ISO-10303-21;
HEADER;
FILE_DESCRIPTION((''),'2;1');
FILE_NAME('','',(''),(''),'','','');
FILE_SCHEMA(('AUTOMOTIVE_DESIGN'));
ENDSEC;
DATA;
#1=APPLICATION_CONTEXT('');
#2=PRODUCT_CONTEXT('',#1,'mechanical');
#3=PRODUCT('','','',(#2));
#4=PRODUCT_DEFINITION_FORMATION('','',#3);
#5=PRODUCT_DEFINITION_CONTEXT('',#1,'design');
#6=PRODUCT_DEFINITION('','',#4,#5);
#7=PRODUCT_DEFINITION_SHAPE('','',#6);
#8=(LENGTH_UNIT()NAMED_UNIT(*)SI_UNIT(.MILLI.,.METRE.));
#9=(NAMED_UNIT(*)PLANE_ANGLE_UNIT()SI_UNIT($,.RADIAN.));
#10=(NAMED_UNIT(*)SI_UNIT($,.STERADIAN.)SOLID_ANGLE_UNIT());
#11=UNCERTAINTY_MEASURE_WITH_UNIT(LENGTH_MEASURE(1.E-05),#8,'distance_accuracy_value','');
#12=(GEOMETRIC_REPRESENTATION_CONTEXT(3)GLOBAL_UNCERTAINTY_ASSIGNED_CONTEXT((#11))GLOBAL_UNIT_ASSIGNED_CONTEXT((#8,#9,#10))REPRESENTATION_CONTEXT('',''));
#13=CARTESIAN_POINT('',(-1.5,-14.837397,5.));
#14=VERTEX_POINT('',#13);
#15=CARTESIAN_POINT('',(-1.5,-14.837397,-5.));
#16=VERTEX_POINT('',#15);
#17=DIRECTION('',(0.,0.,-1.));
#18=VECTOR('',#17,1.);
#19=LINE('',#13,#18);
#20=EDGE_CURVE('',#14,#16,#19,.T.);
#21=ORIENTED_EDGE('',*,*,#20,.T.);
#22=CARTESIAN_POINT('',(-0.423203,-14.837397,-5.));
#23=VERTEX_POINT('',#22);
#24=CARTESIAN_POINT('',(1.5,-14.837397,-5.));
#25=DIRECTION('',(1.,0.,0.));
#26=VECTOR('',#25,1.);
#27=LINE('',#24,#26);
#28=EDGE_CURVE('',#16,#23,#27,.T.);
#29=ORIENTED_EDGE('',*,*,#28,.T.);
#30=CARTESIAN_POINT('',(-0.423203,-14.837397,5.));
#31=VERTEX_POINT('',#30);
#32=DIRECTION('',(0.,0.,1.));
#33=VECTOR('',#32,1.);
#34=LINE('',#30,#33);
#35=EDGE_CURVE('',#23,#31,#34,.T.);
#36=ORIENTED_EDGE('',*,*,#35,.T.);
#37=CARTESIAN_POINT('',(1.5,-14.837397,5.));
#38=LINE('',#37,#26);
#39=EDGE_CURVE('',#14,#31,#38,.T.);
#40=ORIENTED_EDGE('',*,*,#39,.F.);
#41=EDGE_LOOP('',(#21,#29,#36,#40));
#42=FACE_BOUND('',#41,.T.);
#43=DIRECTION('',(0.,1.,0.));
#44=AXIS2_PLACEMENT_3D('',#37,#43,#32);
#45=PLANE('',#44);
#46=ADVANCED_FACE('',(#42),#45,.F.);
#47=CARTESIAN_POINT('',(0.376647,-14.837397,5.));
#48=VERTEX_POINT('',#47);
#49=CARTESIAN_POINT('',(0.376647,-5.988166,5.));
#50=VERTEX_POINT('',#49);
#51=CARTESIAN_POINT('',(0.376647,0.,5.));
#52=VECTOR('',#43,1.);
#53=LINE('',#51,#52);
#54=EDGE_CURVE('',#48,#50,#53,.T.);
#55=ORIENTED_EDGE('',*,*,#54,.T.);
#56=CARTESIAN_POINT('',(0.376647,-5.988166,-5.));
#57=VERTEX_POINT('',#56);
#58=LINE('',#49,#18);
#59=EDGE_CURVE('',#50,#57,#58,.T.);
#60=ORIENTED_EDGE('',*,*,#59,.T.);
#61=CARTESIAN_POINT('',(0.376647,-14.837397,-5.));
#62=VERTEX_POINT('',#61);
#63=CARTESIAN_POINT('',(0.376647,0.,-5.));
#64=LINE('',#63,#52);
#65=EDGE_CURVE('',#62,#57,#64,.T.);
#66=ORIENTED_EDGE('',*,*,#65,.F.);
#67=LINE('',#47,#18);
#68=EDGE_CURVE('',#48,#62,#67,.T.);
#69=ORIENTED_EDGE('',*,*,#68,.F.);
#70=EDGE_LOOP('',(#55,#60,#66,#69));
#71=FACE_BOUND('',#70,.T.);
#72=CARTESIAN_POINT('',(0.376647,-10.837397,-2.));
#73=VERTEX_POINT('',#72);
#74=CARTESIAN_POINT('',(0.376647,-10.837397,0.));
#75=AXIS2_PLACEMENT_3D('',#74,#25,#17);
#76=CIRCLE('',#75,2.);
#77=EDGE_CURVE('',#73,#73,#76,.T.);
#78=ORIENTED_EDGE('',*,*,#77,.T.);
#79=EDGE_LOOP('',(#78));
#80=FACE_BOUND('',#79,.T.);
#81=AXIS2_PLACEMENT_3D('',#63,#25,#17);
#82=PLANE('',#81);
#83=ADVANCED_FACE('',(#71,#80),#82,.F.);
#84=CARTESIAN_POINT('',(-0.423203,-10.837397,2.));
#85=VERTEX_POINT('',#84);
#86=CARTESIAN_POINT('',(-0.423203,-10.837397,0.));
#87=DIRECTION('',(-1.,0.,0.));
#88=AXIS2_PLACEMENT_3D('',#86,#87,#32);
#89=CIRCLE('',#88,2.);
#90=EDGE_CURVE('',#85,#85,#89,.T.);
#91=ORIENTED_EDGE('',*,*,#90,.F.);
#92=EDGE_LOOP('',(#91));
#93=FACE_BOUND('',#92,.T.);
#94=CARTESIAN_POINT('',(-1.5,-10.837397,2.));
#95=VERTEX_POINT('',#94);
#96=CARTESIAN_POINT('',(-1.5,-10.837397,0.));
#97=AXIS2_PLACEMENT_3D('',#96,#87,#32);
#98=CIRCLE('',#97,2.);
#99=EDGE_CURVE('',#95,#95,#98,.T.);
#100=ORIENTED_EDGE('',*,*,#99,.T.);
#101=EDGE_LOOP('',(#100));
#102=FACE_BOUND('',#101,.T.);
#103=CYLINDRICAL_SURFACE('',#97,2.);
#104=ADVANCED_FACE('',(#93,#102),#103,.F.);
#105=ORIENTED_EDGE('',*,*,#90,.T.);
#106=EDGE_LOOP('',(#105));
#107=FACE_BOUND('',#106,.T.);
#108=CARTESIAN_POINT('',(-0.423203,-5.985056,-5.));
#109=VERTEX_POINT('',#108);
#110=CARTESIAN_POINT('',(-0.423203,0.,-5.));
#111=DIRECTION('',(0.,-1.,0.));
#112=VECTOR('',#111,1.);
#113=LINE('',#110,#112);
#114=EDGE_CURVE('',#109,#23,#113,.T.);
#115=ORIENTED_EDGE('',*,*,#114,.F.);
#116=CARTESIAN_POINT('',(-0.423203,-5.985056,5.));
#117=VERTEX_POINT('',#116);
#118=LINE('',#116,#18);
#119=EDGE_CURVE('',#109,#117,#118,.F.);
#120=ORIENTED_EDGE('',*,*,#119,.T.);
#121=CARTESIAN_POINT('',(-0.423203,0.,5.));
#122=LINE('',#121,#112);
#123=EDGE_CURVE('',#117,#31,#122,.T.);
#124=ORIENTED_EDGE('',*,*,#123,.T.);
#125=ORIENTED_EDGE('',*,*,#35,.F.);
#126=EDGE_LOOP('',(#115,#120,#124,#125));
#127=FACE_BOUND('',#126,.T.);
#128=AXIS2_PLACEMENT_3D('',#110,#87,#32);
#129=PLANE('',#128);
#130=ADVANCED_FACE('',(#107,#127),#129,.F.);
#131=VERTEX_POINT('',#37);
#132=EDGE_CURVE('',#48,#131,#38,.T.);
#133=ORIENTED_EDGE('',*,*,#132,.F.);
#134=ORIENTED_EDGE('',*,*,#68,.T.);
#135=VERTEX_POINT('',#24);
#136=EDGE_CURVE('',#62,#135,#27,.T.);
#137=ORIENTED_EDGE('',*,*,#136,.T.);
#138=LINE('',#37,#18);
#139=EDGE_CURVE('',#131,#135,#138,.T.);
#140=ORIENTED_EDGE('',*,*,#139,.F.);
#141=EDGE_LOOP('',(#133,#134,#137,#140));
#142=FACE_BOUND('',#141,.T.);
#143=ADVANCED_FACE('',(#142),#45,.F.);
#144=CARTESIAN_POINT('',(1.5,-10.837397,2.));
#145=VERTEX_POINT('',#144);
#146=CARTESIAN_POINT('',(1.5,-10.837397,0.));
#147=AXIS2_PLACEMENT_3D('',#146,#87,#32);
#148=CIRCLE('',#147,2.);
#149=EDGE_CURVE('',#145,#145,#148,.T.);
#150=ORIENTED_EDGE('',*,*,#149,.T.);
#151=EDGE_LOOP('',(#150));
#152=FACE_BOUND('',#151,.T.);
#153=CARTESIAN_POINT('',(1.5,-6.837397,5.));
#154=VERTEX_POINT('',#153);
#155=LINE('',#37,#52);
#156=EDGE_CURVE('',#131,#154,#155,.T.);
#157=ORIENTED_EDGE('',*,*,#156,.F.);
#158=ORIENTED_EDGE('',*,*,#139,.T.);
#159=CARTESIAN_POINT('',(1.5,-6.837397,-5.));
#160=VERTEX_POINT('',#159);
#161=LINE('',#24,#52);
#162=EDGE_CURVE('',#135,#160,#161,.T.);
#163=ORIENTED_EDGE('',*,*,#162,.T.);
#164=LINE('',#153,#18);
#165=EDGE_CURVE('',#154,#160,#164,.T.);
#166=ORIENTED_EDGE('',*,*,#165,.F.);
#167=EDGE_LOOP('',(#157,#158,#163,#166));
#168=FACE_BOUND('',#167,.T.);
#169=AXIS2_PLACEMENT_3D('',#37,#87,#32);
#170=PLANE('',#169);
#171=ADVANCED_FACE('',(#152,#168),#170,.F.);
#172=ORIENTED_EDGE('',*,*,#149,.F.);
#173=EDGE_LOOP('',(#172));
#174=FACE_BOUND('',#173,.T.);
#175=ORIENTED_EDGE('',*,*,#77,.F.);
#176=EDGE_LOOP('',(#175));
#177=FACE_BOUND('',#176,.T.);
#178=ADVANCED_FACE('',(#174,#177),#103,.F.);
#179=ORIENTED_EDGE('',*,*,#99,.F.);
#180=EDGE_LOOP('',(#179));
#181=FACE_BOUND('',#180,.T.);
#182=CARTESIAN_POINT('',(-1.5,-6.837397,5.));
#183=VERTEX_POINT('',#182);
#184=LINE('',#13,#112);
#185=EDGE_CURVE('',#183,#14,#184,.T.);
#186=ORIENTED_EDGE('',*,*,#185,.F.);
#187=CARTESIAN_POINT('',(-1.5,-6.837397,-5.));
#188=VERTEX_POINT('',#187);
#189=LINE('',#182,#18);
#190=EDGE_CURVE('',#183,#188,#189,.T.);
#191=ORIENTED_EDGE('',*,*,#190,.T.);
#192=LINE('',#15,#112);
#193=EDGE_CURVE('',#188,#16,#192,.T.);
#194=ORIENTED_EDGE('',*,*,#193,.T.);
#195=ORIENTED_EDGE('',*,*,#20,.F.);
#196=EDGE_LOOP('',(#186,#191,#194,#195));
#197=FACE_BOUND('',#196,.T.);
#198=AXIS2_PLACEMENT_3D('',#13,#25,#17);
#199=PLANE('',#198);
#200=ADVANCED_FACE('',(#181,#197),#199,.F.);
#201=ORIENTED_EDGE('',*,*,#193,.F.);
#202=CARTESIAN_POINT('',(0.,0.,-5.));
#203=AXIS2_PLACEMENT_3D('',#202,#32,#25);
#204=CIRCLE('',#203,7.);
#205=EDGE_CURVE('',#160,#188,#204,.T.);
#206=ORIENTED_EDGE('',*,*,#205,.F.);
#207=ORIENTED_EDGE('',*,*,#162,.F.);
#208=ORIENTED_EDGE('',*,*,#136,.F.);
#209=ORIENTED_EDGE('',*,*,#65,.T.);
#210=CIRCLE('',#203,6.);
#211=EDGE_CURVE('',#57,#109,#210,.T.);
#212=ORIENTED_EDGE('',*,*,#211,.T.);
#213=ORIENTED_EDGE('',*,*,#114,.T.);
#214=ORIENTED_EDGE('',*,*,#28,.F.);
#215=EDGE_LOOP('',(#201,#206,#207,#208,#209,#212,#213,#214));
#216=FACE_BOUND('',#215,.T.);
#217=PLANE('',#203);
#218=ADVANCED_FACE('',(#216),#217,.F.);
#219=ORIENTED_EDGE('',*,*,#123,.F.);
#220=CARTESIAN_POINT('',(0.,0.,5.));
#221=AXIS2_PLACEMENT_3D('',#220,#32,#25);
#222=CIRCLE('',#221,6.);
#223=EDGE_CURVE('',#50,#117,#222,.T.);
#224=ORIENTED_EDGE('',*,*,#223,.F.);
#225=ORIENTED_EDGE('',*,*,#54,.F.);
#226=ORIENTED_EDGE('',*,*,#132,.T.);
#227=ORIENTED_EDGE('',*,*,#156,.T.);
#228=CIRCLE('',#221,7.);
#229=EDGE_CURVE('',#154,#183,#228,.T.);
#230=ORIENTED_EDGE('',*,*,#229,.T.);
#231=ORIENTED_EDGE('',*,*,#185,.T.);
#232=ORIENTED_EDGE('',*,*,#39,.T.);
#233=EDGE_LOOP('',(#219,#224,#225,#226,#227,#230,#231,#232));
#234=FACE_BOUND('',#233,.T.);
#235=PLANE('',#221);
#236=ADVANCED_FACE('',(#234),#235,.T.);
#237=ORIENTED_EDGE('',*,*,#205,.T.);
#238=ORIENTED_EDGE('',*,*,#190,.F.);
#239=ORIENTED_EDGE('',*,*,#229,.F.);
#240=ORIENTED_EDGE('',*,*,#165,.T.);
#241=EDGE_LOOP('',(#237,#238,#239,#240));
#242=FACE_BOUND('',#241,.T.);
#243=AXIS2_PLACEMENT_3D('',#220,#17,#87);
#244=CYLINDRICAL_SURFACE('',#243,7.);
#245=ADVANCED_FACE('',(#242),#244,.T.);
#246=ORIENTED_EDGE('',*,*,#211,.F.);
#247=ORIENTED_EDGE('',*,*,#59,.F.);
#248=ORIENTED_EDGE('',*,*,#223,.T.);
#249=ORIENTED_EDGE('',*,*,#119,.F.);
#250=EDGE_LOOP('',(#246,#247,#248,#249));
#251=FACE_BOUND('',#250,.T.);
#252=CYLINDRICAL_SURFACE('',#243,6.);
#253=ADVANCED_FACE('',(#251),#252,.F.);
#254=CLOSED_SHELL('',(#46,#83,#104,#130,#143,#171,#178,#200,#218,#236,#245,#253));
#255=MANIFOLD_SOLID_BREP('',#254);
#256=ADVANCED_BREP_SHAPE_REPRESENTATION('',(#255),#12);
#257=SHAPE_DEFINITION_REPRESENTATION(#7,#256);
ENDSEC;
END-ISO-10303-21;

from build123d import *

# Parameters (mm, degrees)
SKETCH1_R                 = 6
BOSS_EXTRUDE1_DEPTH       = 5
SKETCH2_W                 = 0.799850041
SKETCH2_H                 = 15.18552409
CUT_EXTRUDE1_DEPTH        = 20.213233842
F_4_0MM_DOWEL_HOLE1_D     = 4
F_4_0MM_DOWEL_HOLE1_DEPTH = 32.5
F_4_0MM_DOWEL_HOLE1_TIP   = 1.201721238


with BuildPart() as part:
    # Sketch1 → Boss-Extrude1 (new, symmetric)
    with BuildSketch(Plane.XY):
        with BuildLine():
            Line((1.5, -14.837397166), (-1.5, -14.837397166))
            Line((-1.5, -14.837397166), (-1.5, -6.837397166))
            ThreePointArc((-1.5, -6.837397166), (0, 7), (1.5, -6.837397166))
            Line((1.5, -6.837397166), (1.5, -14.837397166))
        make_face()
        Circle(SKETCH1_R, mode=Mode.SUBTRACT)
    extrude(amount=BOSS_EXTRUDE1_DEPTH, both=True)

    # Sketch2 → Cut-Extrude1 (cut, through all)
    with BuildSketch(Plane.XY.offset(5)):
        with Locations((-0.023277633, -7.592762045)):
            Rectangle(SKETCH2_W, SKETCH2_H)
    extrude(amount=-CUT_EXTRUDE1_DEPTH, mode=Mode.SUBTRACT)

    # Ø4.0mm Dowel Hole1
    with Locations(Plane.ZY.offset(1.5)):
        with Locations((0, -10.837397166)):
            Hole(F_4_0MM_DOWEL_HOLE1_D / 2, depth=F_4_0MM_DOWEL_HOLE1_DEPTH)
            with Locations((0, 0, -(F_4_0MM_DOWEL_HOLE1_DEPTH + F_4_0MM_DOWEL_HOLE1_TIP / 2))):  # 118° drill point
                Cone(0, F_4_0MM_DOWEL_HOLE1_D / 2, F_4_0MM_DOWEL_HOLE1_TIP, mode=Mode.SUBTRACT)


solid = part.part
